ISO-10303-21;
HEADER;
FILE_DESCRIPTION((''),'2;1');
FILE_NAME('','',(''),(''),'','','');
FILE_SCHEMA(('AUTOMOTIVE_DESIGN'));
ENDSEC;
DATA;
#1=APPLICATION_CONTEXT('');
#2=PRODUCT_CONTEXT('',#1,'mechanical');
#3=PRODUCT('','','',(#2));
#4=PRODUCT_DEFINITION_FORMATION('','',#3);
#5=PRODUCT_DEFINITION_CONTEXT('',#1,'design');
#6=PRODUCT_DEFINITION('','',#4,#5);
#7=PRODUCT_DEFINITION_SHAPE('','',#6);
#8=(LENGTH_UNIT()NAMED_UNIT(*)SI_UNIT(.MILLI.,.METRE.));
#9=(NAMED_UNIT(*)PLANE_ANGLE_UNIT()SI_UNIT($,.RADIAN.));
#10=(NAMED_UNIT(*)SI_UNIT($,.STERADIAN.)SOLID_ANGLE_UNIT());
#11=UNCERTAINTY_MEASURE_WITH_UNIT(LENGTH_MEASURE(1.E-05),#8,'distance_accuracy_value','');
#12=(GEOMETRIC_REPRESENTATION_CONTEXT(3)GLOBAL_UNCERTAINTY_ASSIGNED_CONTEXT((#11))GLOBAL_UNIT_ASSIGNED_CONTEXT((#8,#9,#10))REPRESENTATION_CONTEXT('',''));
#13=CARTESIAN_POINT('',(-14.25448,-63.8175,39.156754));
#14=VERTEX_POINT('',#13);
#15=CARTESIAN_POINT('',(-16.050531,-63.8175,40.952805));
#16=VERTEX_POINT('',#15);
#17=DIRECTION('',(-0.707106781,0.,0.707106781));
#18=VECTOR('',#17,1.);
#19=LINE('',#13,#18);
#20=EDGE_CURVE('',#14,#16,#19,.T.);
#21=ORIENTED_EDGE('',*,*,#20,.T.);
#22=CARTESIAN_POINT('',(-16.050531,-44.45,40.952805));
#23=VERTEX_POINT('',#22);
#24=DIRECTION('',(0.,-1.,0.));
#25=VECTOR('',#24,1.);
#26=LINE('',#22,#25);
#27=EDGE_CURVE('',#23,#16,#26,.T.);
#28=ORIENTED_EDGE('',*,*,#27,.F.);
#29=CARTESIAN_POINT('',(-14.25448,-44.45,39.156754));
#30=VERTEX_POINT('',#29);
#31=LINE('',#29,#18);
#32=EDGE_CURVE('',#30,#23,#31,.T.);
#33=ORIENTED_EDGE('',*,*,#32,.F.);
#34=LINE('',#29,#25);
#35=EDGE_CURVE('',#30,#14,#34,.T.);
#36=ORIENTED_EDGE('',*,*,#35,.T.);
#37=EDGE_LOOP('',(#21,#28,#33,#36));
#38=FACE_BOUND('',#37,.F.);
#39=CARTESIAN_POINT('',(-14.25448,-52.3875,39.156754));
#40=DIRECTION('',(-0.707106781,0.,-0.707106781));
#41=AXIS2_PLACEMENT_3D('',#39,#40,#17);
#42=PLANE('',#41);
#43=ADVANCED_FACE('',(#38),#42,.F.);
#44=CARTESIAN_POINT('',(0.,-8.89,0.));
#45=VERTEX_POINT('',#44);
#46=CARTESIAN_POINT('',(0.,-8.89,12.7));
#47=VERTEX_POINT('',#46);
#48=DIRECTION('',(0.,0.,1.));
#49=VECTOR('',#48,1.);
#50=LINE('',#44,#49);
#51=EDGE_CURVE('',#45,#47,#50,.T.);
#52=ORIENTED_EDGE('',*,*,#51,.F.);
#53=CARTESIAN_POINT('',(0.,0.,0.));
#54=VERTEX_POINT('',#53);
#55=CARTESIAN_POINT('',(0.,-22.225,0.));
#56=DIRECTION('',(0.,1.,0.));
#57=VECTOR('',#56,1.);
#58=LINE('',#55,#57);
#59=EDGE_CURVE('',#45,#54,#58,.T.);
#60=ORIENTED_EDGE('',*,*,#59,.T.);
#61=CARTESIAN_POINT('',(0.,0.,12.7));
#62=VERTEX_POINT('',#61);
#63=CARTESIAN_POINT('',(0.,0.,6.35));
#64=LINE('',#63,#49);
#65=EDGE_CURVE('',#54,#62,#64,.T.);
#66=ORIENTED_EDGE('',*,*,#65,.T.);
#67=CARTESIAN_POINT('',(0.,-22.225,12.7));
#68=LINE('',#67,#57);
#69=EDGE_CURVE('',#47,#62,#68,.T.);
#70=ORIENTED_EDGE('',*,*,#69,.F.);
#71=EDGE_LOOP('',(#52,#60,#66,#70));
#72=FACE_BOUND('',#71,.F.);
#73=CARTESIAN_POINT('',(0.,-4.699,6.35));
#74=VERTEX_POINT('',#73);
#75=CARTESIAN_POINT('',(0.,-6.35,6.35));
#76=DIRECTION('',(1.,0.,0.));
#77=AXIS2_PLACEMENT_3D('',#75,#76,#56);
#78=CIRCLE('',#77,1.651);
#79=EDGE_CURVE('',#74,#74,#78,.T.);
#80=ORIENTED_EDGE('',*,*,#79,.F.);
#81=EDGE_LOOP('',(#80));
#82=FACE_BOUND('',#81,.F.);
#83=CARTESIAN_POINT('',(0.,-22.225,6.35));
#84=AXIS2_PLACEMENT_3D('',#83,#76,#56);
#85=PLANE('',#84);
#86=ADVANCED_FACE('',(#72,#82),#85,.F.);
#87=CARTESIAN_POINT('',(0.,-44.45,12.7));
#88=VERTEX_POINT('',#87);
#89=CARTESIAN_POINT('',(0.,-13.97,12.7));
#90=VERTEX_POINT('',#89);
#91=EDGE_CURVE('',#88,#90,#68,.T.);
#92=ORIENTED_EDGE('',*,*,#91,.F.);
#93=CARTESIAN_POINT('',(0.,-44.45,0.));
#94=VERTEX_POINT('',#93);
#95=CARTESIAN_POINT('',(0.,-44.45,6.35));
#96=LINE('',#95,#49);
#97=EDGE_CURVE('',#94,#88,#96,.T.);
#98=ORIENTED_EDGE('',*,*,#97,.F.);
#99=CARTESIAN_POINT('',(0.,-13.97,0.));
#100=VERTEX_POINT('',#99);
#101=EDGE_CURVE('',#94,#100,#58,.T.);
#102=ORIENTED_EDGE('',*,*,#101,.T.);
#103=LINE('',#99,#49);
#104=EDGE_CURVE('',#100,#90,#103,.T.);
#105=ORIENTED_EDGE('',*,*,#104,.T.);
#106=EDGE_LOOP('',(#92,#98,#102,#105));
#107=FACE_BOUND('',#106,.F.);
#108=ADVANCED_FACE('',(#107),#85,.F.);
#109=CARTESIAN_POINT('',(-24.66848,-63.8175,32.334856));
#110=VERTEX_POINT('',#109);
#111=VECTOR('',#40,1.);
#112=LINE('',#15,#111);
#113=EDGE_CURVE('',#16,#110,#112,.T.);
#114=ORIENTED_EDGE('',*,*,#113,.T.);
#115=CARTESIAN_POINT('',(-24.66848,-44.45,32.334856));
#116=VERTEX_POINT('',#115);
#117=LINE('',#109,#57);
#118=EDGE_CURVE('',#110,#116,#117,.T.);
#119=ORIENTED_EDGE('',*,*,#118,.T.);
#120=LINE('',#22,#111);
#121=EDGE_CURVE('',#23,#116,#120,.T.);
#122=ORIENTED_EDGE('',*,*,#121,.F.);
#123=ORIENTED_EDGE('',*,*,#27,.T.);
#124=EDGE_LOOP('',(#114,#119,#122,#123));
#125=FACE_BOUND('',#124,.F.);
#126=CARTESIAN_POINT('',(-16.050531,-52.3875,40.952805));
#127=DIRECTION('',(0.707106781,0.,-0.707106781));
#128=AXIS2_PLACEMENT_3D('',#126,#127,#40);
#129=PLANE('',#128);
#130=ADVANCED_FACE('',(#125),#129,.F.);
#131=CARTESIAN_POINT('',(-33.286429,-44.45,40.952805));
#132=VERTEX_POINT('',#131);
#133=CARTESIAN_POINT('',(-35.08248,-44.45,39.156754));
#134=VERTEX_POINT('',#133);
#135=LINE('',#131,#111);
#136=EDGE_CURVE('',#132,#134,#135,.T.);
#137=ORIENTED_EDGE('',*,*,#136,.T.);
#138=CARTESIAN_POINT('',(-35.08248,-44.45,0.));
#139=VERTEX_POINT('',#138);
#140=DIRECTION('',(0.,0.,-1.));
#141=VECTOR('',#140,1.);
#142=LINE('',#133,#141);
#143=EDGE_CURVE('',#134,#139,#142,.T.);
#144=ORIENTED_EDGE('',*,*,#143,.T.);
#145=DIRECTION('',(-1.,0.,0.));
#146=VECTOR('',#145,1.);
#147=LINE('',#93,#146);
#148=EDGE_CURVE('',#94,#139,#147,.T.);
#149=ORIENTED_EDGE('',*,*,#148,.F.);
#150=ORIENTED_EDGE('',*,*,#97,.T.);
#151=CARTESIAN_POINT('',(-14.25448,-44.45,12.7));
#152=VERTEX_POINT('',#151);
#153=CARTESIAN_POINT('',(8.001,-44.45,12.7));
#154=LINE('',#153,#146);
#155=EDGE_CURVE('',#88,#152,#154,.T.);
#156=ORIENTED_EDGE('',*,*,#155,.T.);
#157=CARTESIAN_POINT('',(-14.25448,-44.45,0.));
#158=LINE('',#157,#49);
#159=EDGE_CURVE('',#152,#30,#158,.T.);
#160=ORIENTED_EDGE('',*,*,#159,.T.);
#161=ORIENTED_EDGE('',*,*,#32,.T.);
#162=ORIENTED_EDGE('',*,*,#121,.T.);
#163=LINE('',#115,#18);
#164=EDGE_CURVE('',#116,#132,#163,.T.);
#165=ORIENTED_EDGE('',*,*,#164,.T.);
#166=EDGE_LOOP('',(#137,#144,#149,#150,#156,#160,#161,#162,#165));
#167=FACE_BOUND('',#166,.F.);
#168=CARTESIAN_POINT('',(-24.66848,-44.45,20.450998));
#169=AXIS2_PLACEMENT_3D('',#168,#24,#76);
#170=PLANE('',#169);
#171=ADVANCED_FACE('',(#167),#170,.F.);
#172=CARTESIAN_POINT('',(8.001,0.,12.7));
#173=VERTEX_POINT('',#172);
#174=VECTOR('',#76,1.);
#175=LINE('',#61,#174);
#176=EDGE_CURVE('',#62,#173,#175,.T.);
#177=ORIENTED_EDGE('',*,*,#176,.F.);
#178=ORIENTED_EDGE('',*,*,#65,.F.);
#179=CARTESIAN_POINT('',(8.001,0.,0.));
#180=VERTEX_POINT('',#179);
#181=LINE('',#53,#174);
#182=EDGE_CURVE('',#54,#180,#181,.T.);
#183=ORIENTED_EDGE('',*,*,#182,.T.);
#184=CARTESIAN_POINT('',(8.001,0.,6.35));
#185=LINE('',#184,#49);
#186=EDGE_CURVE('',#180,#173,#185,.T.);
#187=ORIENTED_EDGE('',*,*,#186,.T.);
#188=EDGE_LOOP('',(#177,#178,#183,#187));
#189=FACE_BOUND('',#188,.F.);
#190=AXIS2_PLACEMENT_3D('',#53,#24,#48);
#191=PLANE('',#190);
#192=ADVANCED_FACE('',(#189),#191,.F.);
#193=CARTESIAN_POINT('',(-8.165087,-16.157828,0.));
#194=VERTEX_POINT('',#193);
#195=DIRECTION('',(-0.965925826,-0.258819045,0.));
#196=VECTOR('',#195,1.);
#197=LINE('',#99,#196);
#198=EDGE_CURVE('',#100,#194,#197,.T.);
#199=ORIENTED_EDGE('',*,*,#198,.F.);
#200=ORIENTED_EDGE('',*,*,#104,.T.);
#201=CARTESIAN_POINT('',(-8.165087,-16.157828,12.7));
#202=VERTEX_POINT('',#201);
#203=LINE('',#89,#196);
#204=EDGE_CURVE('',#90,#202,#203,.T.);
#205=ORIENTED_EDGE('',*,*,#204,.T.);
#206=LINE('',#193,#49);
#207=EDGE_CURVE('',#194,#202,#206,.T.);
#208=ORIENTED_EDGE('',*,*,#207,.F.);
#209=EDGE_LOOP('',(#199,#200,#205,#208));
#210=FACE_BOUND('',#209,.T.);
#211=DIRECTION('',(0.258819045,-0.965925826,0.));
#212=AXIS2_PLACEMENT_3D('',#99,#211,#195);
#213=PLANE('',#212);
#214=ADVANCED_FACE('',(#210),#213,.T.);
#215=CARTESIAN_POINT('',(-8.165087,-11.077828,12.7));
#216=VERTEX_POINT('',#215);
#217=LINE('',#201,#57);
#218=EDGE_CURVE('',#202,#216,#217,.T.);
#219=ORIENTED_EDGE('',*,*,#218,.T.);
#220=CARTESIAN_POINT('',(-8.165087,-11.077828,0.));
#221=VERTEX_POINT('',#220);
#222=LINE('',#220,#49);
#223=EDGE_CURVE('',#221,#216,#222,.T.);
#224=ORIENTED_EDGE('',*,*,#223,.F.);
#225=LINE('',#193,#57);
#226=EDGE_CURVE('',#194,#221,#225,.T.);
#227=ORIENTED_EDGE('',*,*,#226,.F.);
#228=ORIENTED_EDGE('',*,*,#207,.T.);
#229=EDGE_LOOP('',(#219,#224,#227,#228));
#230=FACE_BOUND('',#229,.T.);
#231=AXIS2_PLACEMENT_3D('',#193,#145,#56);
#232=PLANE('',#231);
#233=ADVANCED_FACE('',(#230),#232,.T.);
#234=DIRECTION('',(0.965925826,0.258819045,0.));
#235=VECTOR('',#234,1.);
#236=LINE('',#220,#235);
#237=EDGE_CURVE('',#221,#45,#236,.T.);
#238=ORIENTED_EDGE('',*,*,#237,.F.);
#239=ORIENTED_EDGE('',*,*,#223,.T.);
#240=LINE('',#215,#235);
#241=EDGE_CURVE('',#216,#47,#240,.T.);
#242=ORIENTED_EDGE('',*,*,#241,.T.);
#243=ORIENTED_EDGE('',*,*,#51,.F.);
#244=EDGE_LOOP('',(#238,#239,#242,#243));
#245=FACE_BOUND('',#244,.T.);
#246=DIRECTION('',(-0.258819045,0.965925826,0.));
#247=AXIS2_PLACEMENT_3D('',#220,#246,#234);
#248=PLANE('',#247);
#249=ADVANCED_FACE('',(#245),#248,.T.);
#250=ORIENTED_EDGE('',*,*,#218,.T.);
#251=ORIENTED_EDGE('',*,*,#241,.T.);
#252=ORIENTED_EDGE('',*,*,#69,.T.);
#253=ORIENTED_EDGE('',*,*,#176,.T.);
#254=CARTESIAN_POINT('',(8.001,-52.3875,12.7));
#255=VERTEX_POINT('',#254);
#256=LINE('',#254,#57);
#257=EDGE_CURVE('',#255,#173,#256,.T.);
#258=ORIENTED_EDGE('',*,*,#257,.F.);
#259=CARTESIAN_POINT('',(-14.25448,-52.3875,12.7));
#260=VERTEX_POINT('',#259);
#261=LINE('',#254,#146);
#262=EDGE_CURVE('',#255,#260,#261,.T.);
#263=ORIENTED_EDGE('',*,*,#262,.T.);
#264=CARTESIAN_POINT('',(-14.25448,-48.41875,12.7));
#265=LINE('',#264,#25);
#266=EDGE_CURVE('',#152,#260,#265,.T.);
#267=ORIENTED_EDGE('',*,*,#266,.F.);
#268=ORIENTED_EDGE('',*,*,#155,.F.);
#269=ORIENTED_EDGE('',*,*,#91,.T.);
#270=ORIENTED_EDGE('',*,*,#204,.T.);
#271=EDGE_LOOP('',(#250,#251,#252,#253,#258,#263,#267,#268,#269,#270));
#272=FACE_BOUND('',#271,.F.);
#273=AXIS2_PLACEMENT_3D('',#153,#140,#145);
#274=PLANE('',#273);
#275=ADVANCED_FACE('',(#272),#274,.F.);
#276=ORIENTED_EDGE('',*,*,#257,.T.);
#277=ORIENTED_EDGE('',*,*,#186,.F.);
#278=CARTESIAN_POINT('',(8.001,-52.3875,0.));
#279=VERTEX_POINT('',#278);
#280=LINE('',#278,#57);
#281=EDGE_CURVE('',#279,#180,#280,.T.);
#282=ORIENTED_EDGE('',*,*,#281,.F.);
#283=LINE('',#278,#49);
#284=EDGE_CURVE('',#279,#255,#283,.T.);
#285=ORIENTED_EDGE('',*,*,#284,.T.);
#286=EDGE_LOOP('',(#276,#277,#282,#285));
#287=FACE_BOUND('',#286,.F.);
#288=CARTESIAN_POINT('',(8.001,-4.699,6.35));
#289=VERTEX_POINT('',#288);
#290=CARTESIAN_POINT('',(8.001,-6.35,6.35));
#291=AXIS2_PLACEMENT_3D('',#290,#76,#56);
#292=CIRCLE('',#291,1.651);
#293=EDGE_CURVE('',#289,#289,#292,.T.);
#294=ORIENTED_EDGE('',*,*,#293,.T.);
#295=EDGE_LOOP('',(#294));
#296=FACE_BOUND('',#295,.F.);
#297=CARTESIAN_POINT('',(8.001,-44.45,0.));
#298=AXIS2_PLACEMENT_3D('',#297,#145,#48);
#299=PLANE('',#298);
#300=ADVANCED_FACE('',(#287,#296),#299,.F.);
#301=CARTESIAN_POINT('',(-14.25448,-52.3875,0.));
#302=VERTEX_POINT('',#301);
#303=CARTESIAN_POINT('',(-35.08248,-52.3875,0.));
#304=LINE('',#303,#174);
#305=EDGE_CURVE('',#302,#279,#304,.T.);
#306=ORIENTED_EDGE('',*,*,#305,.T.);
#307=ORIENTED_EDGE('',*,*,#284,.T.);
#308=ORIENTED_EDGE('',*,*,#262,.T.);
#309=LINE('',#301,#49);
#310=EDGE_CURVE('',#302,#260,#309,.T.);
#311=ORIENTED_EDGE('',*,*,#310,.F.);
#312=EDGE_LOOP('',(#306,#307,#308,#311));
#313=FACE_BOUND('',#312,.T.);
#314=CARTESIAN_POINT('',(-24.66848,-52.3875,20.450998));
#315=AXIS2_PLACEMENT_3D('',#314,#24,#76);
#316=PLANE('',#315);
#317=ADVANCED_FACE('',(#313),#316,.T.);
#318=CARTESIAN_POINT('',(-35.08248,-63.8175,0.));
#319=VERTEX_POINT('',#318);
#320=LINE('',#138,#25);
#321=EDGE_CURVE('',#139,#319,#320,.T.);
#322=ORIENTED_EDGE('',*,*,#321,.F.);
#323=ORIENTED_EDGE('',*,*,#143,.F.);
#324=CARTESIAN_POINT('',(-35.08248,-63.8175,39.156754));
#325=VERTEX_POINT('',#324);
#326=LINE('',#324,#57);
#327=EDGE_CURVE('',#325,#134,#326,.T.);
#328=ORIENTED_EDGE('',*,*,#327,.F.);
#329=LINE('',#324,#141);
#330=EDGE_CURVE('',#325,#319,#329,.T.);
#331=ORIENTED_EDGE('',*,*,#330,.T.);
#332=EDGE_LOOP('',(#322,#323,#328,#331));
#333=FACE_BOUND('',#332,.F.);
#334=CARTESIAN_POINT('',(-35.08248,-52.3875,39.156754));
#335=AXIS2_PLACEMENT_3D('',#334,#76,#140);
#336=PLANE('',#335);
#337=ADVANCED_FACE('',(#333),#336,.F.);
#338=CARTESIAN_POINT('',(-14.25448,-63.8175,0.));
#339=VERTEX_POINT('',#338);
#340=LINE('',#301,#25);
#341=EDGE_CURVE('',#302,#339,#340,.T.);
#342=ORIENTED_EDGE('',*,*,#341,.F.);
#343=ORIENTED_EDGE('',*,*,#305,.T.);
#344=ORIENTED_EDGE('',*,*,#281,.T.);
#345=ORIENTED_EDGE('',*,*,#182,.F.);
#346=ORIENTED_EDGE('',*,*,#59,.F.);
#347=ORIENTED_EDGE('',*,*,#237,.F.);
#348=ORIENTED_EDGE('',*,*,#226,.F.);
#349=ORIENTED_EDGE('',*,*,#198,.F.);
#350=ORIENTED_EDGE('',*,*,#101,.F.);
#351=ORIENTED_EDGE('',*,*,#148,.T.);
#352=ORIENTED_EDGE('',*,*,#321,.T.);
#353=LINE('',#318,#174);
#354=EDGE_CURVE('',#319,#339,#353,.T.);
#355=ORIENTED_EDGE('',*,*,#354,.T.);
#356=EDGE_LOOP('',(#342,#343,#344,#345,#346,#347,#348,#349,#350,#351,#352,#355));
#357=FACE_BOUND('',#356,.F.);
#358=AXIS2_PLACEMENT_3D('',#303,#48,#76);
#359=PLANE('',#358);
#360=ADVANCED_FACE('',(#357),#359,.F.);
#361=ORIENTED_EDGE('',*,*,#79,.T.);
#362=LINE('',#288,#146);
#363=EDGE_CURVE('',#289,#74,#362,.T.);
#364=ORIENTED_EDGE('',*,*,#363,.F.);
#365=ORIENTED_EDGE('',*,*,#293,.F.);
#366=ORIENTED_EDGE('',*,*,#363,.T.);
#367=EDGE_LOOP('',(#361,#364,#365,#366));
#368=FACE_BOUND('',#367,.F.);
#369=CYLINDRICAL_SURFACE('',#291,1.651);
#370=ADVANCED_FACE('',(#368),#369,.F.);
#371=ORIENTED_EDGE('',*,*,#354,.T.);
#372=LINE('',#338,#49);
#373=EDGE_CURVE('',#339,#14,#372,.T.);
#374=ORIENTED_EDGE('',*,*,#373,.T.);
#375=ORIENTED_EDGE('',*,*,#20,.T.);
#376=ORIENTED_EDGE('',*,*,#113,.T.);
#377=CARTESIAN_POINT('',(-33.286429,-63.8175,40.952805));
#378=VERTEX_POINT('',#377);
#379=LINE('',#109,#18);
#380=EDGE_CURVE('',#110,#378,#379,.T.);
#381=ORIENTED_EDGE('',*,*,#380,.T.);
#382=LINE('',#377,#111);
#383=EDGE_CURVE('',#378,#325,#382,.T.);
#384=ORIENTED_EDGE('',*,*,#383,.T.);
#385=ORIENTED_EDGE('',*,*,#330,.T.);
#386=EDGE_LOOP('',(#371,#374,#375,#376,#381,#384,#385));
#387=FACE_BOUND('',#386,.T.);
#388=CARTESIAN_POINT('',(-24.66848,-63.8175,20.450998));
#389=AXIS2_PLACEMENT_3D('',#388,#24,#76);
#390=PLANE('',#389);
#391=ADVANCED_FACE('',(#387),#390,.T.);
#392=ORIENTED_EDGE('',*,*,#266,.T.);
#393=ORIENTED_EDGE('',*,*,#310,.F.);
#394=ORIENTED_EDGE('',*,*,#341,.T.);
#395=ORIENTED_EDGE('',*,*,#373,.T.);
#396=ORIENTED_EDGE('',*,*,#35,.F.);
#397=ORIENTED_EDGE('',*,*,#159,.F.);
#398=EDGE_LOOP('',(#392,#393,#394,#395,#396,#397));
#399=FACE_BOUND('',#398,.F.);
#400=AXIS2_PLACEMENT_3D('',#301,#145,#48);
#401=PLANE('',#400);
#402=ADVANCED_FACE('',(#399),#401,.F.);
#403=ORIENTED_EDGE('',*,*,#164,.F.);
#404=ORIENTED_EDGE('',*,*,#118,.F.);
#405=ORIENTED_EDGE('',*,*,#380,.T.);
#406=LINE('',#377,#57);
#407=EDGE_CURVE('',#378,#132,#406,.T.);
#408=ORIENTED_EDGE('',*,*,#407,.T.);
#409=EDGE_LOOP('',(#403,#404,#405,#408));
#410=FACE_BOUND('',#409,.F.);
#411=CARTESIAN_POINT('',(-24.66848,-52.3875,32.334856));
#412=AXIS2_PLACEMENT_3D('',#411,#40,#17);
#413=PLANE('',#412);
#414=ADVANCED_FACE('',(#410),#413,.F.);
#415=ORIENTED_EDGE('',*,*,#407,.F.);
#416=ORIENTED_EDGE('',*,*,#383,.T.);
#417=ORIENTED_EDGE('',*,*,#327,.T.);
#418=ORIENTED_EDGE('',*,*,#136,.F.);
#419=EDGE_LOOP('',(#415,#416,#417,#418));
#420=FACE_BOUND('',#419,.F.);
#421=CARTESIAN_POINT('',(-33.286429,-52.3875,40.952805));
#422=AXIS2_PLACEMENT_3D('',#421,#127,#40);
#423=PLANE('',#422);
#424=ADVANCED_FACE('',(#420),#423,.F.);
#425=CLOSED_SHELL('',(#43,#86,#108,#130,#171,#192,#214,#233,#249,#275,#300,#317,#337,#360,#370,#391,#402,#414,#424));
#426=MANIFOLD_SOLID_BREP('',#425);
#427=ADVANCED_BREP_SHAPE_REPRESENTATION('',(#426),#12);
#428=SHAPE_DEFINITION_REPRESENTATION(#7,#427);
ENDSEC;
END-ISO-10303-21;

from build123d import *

# Parameters (mm, degrees)
F0_W          = 44.45
F0_H          = 12.7
F1_DEPTH      = 8.001
F3_DEPTH      = 7.9375
F5_DEPTH      = 7.9375
F5_DEPTH_BACK = 11.43
F6_R          = 1.651
F7_DEPTH      = 25.4
F9_DEPTH      = 12.7


with BuildPart() as f1:
    # F0 (on Right) → F1 (new body)
    with BuildSketch(Plane.YZ):
        with Locations((-22.225, 6.35)):
            Rectangle(F0_W, F0_H)
    extrude(amount=F1_DEPTH)

    # F2 (on face) → F3 (join)
    with BuildSketch(Plane.XZ.offset(44.45)):
        Polygon((8.001, 12.7), (0, 12.7), (-35.08248, 12.7), (-35.08248, 0), (0, 0), (8.001, 0), align=None)
    extrude(amount=F3_DEPTH)

    # F4 (on face) → F5 (join, two sides)
    with BuildSketch(Plane.XZ.offset(52.3875)) as f5_sk:
        Polygon((-35.08248, 39.1567536341), (-35.08248, 0), (-14.25448, 0), (-14.25448, 39.1567536341), (-16.0505312242, 40.9528048583), (-24.66848, 32.3348560825), (-33.2864287758, 40.9528048583), align=None)
    extrude(amount=-F5_DEPTH)
    extrude(f5_sk.sketch, amount=F5_DEPTH_BACK)

    # F6 (on face) → F7 (cut)
    with BuildSketch(Plane.YZ.offset(8.001)):
        with Locations((-6.35, 6.35)):
            Circle(F6_R)
    extrude(amount=-F7_DEPTH, mode=Mode.SUBTRACT)

    # F8 (on face) → F9 (join, through all)
    with BuildSketch(Plane(origin=(0, 0, 0), x_dir=(1, 0, 0), z_dir=(0, 0, -1))):
        Polygon((-8.1650869207, 11.0778284465), (0, 8.89), (0, 13.97), (-8.1650869207, 16.1578284465), align=None)
    extrude(amount=-F9_DEPTH)


solid = f1.part
